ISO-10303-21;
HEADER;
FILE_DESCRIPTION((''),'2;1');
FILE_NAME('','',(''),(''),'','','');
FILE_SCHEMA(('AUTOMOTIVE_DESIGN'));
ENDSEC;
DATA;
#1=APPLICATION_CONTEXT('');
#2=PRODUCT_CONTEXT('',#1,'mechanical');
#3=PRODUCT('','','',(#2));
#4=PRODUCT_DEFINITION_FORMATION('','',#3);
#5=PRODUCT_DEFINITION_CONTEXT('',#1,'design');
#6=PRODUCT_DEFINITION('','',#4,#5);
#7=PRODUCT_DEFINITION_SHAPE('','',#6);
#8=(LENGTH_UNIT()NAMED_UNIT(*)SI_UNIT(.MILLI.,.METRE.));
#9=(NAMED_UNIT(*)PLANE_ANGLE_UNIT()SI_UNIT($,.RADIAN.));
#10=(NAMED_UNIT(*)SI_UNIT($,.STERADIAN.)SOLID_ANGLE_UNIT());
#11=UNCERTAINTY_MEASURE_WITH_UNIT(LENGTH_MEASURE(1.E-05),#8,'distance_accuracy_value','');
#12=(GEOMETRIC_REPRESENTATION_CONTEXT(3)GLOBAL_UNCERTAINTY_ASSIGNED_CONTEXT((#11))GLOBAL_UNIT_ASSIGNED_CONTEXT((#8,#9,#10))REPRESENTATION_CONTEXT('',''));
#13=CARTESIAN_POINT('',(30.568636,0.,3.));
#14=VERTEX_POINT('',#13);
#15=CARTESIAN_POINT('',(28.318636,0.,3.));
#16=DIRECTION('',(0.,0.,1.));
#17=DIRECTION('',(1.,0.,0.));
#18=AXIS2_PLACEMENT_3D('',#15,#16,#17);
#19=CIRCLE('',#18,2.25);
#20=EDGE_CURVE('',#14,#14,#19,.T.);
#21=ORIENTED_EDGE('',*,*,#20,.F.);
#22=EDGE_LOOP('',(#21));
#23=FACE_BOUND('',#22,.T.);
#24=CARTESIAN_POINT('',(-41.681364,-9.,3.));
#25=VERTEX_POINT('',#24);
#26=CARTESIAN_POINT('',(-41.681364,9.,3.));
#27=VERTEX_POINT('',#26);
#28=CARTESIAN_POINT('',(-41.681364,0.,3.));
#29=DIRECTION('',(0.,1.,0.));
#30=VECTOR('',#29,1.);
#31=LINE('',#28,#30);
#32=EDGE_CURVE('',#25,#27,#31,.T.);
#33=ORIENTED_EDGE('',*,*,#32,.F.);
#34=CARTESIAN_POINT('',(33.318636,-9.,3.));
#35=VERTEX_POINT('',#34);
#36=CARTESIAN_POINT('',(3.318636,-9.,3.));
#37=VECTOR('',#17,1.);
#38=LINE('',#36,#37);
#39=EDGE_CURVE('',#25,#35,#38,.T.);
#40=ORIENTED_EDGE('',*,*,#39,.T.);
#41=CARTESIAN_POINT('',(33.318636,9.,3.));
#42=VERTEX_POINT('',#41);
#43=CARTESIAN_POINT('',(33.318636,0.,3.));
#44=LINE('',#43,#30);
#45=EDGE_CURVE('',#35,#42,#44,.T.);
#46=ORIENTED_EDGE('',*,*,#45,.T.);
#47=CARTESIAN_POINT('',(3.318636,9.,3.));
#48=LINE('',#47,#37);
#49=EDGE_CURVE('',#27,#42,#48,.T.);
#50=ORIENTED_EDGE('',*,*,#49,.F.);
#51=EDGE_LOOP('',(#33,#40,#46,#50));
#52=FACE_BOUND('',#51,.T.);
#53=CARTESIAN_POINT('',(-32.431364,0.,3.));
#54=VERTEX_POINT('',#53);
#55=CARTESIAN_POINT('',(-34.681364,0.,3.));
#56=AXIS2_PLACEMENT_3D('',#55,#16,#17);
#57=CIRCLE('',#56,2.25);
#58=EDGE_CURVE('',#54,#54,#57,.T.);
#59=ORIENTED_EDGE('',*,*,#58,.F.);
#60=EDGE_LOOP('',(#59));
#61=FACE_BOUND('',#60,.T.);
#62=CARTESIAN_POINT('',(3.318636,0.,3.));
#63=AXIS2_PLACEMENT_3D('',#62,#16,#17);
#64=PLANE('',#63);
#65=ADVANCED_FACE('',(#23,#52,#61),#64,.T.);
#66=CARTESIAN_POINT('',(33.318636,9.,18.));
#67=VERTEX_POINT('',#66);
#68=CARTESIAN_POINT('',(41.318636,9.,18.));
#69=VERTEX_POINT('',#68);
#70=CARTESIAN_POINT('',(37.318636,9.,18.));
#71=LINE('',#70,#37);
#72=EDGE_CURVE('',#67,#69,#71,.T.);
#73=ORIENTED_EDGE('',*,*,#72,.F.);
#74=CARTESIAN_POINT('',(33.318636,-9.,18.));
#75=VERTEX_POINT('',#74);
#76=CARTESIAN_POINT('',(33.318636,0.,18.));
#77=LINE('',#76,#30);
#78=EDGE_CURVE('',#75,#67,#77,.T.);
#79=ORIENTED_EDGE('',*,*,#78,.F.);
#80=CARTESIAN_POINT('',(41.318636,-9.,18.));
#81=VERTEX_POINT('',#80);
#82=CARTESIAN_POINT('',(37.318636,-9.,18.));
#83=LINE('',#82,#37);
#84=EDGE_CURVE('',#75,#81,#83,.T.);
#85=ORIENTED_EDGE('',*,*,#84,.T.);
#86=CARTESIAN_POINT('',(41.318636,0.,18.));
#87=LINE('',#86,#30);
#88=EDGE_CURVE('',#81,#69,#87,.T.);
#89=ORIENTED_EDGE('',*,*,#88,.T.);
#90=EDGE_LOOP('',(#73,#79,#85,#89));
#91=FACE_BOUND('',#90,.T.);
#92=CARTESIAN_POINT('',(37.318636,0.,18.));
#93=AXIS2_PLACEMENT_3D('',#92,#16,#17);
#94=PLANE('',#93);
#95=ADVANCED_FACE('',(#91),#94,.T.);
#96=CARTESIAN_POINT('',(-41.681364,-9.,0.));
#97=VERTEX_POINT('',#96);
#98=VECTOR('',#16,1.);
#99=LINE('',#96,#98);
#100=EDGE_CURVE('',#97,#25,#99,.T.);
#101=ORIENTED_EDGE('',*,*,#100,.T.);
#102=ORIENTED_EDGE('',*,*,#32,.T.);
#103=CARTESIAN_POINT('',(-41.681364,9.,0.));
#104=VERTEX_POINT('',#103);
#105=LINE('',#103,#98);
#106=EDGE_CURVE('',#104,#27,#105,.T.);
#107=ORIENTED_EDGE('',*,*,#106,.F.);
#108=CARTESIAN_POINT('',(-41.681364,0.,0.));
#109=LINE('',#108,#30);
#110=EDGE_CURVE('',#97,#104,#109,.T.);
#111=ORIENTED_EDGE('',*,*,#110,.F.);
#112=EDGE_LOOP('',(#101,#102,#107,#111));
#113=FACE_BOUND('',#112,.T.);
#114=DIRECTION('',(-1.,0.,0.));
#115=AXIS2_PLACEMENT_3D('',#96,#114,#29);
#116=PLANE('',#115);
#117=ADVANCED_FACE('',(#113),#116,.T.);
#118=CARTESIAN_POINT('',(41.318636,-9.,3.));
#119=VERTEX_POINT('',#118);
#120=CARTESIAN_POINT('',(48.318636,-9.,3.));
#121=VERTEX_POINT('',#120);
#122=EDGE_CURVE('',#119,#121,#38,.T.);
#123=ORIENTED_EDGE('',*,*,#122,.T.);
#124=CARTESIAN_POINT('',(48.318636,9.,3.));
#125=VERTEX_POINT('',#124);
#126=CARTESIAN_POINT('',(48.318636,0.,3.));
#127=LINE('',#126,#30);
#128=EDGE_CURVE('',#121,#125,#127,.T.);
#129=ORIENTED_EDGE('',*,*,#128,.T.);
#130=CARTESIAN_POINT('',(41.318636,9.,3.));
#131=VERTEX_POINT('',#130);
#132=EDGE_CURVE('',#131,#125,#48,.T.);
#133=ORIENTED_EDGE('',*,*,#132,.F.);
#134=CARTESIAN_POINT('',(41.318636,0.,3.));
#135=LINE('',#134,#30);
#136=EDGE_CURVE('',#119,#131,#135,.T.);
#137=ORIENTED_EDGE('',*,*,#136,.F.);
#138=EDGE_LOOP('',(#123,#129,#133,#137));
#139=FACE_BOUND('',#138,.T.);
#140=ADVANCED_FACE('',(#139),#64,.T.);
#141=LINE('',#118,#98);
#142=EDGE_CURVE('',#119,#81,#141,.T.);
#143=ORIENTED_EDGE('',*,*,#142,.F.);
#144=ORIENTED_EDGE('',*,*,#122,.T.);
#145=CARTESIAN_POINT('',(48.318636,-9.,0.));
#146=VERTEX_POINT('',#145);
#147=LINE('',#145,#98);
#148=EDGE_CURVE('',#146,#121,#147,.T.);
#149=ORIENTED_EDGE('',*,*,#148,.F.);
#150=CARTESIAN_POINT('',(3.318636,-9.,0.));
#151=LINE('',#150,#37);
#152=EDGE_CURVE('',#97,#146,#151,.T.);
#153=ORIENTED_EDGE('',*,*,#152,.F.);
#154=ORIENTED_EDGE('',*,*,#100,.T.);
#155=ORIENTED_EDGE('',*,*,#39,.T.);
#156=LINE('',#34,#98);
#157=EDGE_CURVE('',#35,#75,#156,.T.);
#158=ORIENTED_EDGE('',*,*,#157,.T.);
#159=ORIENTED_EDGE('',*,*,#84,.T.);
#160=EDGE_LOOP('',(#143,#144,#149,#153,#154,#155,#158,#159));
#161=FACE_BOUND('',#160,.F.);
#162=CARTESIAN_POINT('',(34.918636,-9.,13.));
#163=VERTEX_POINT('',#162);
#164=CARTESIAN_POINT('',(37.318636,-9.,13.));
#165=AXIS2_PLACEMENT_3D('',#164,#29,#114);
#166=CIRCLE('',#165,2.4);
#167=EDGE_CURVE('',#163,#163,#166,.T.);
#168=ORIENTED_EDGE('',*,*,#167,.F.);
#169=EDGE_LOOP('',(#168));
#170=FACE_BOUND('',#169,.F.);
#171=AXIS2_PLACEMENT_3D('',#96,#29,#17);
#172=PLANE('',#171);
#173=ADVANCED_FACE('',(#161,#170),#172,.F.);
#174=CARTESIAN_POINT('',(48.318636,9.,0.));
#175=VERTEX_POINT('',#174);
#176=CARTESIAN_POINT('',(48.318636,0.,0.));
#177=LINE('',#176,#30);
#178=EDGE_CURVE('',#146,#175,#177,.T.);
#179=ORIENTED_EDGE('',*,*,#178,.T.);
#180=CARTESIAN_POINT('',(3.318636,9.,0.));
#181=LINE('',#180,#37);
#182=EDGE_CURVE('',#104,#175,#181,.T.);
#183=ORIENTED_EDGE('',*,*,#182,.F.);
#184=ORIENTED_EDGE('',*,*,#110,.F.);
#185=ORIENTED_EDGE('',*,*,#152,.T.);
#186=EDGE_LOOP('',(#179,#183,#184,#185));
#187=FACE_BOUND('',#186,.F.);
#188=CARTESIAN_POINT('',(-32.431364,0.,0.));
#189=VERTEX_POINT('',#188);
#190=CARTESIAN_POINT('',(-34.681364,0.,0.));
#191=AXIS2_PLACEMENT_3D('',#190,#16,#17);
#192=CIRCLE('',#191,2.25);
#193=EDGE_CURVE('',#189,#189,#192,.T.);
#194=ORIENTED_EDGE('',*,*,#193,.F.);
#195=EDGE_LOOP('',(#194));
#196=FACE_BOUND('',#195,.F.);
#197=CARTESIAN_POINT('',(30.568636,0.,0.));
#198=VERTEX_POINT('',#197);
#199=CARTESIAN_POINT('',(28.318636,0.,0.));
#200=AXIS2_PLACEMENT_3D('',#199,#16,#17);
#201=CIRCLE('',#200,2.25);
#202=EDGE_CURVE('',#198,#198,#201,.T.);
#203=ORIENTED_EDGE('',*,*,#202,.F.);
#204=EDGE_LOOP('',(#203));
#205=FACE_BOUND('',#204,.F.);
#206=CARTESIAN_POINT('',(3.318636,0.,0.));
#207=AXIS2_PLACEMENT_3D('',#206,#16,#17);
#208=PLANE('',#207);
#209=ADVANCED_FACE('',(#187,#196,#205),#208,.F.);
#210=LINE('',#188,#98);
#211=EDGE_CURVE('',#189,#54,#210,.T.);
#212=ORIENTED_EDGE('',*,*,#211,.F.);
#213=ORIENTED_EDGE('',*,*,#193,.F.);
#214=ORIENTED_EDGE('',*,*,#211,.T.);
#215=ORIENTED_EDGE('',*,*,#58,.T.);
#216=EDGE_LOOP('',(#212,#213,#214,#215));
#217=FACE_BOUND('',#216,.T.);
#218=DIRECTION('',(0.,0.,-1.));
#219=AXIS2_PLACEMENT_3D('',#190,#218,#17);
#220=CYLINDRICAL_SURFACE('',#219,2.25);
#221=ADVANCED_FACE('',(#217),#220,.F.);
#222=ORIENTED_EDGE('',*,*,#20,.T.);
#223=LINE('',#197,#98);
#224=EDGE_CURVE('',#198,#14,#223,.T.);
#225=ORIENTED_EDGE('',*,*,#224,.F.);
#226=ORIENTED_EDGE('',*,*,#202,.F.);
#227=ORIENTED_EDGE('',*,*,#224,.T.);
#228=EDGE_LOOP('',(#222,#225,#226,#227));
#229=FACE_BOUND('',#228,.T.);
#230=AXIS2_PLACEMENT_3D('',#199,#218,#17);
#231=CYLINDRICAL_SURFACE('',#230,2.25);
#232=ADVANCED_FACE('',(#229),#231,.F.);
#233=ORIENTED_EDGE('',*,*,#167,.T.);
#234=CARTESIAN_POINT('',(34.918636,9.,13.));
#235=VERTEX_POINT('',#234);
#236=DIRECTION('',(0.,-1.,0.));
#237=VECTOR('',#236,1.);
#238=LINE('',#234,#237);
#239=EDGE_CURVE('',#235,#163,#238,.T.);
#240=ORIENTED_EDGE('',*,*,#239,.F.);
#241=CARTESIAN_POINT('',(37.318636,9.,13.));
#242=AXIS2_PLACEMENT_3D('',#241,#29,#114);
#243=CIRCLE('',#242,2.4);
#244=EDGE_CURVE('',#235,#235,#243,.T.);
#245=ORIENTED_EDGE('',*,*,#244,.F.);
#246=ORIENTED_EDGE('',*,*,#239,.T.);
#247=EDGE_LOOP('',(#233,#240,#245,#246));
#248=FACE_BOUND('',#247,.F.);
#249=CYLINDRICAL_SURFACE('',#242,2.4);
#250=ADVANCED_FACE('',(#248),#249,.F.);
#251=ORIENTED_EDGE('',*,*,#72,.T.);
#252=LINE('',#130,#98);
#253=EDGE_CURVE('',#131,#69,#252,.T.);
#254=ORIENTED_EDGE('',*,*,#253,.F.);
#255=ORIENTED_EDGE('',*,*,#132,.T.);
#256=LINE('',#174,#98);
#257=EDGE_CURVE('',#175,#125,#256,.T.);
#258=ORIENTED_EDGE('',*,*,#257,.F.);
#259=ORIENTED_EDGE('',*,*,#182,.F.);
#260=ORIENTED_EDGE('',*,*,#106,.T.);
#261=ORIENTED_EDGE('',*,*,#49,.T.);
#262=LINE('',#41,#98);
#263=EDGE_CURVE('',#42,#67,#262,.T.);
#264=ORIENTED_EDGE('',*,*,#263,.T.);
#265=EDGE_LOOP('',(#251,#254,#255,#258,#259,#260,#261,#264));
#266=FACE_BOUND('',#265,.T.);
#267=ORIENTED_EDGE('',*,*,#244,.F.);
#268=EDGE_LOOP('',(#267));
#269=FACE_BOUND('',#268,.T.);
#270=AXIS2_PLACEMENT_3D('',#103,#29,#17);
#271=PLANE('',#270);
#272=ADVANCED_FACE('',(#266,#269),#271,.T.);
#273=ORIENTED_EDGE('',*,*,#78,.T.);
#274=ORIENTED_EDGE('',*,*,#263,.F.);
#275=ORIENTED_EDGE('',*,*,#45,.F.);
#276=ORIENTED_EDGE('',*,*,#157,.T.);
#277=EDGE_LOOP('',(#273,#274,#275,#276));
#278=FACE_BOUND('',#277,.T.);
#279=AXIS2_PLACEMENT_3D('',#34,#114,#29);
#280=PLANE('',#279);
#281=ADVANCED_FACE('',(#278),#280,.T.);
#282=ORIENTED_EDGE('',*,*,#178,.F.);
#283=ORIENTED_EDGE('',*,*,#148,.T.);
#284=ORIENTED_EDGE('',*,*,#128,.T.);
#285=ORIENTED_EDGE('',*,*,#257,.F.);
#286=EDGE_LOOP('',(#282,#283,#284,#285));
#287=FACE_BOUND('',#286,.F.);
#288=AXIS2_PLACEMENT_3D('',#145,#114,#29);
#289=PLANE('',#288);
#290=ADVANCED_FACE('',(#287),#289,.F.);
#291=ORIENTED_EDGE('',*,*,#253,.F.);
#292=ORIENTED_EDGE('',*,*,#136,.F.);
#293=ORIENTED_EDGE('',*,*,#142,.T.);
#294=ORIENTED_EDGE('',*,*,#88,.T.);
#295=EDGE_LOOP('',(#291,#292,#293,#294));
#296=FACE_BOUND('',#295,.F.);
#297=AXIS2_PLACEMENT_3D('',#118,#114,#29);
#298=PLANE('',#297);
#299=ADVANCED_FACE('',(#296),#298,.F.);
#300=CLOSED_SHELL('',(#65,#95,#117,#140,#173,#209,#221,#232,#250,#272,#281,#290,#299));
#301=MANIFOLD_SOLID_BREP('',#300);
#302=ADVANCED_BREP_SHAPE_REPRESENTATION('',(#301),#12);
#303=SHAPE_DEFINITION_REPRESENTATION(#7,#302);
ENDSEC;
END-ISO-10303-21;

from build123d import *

# Parameters (mm, degrees)
F0_W     = 90
F0_H     = 18
F0_R     = 2.25
F1_DEPTH = 3
F2_W     = 8
F2_H     = 18
F3_DEPTH = 15
F4_R     = 2.4
F5_DEPTH = 18


with BuildPart() as f1:
    # F0 (on Top) → F1 (new body)
    with BuildSketch(Plane.XY):
        with Locations((3.318636, 0)):
            Rectangle(F0_W, F0_H)
        with Locations((-34.681364, 0)):
            Circle(F0_R, mode=Mode.SUBTRACT)
        with Locations((28.318636, 0)):
            Circle(F0_R, mode=Mode.SUBTRACT)
    extrude(amount=F1_DEPTH)

    # F2 (on face) → F3 (join)
    with BuildSketch(Plane.XY.offset(3)):
        with Locations((37.318636, 0)):
            Rectangle(F2_W, F2_H)
    extrude(amount=F3_DEPTH)

    # F4 (on face) → F5 (cut, through all)
    with BuildSketch(Plane(origin=(0, 9, 0), x_dir=(-1, 0, 0), z_dir=(0, 1, 0))):
        with Locations((-37.318636, 13)):
            Circle(F4_R)
    extrude(amount=-F5_DEPTH, mode=Mode.SUBTRACT)


solid = f1.part
